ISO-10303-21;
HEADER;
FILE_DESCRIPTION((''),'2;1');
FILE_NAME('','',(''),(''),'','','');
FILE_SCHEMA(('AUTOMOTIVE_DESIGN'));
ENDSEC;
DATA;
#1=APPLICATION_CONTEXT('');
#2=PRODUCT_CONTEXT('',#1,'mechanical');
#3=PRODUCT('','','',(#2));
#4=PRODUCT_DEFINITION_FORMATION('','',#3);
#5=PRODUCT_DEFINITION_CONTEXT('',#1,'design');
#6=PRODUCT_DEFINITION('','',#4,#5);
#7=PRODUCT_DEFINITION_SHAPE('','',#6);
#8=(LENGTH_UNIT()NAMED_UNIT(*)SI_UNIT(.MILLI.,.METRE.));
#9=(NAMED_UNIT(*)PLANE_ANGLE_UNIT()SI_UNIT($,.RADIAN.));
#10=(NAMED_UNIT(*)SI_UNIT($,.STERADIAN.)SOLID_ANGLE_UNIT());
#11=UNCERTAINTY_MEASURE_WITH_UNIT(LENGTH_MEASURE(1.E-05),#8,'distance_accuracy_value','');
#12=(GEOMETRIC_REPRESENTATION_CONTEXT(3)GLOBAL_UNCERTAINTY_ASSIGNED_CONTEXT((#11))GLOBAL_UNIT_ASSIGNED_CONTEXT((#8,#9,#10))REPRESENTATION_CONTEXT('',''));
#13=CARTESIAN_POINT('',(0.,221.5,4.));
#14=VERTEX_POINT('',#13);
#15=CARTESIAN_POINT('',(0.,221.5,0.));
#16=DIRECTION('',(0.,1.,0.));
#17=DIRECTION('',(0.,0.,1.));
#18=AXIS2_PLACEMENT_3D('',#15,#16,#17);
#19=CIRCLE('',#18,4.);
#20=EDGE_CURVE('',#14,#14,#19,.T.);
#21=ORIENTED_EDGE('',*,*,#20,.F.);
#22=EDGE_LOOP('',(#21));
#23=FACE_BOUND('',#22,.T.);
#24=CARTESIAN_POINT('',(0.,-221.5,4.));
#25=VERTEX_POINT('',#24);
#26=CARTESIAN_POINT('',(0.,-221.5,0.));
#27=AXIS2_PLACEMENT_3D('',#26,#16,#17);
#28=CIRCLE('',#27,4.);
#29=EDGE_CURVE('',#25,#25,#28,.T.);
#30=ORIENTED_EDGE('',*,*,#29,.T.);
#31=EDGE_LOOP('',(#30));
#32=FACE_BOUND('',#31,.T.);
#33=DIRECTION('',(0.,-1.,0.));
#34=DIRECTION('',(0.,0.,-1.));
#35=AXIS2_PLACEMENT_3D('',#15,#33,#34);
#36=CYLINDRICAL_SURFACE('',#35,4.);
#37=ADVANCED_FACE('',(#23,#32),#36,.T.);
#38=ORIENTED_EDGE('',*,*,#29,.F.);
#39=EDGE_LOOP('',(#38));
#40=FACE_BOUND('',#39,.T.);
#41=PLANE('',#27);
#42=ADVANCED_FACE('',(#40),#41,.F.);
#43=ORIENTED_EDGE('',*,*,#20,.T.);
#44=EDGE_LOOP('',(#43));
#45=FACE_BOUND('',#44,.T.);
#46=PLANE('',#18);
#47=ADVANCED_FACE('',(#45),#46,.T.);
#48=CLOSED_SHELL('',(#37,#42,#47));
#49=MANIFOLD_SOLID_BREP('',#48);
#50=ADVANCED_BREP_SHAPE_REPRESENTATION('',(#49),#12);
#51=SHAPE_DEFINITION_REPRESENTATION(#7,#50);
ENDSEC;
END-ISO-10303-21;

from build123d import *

# Parameters (mm, degrees)
ESBO_O1_R                = 4
RESSALTO_EXTRUS_O1_DEPTH = 221.5


with BuildPart() as part:
    # Esboço1 → Ressalto-extrusão1 (new body, symmetric)
    with BuildSketch(Plane(origin=(0, 0, 0), x_dir=(1, 0, 0), z_dir=(0, 1, 0))):
        Circle(ESBO_O1_R)
    extrude(amount=RESSALTO_EXTRUS_O1_DEPTH, both=True)


solid = part.part
